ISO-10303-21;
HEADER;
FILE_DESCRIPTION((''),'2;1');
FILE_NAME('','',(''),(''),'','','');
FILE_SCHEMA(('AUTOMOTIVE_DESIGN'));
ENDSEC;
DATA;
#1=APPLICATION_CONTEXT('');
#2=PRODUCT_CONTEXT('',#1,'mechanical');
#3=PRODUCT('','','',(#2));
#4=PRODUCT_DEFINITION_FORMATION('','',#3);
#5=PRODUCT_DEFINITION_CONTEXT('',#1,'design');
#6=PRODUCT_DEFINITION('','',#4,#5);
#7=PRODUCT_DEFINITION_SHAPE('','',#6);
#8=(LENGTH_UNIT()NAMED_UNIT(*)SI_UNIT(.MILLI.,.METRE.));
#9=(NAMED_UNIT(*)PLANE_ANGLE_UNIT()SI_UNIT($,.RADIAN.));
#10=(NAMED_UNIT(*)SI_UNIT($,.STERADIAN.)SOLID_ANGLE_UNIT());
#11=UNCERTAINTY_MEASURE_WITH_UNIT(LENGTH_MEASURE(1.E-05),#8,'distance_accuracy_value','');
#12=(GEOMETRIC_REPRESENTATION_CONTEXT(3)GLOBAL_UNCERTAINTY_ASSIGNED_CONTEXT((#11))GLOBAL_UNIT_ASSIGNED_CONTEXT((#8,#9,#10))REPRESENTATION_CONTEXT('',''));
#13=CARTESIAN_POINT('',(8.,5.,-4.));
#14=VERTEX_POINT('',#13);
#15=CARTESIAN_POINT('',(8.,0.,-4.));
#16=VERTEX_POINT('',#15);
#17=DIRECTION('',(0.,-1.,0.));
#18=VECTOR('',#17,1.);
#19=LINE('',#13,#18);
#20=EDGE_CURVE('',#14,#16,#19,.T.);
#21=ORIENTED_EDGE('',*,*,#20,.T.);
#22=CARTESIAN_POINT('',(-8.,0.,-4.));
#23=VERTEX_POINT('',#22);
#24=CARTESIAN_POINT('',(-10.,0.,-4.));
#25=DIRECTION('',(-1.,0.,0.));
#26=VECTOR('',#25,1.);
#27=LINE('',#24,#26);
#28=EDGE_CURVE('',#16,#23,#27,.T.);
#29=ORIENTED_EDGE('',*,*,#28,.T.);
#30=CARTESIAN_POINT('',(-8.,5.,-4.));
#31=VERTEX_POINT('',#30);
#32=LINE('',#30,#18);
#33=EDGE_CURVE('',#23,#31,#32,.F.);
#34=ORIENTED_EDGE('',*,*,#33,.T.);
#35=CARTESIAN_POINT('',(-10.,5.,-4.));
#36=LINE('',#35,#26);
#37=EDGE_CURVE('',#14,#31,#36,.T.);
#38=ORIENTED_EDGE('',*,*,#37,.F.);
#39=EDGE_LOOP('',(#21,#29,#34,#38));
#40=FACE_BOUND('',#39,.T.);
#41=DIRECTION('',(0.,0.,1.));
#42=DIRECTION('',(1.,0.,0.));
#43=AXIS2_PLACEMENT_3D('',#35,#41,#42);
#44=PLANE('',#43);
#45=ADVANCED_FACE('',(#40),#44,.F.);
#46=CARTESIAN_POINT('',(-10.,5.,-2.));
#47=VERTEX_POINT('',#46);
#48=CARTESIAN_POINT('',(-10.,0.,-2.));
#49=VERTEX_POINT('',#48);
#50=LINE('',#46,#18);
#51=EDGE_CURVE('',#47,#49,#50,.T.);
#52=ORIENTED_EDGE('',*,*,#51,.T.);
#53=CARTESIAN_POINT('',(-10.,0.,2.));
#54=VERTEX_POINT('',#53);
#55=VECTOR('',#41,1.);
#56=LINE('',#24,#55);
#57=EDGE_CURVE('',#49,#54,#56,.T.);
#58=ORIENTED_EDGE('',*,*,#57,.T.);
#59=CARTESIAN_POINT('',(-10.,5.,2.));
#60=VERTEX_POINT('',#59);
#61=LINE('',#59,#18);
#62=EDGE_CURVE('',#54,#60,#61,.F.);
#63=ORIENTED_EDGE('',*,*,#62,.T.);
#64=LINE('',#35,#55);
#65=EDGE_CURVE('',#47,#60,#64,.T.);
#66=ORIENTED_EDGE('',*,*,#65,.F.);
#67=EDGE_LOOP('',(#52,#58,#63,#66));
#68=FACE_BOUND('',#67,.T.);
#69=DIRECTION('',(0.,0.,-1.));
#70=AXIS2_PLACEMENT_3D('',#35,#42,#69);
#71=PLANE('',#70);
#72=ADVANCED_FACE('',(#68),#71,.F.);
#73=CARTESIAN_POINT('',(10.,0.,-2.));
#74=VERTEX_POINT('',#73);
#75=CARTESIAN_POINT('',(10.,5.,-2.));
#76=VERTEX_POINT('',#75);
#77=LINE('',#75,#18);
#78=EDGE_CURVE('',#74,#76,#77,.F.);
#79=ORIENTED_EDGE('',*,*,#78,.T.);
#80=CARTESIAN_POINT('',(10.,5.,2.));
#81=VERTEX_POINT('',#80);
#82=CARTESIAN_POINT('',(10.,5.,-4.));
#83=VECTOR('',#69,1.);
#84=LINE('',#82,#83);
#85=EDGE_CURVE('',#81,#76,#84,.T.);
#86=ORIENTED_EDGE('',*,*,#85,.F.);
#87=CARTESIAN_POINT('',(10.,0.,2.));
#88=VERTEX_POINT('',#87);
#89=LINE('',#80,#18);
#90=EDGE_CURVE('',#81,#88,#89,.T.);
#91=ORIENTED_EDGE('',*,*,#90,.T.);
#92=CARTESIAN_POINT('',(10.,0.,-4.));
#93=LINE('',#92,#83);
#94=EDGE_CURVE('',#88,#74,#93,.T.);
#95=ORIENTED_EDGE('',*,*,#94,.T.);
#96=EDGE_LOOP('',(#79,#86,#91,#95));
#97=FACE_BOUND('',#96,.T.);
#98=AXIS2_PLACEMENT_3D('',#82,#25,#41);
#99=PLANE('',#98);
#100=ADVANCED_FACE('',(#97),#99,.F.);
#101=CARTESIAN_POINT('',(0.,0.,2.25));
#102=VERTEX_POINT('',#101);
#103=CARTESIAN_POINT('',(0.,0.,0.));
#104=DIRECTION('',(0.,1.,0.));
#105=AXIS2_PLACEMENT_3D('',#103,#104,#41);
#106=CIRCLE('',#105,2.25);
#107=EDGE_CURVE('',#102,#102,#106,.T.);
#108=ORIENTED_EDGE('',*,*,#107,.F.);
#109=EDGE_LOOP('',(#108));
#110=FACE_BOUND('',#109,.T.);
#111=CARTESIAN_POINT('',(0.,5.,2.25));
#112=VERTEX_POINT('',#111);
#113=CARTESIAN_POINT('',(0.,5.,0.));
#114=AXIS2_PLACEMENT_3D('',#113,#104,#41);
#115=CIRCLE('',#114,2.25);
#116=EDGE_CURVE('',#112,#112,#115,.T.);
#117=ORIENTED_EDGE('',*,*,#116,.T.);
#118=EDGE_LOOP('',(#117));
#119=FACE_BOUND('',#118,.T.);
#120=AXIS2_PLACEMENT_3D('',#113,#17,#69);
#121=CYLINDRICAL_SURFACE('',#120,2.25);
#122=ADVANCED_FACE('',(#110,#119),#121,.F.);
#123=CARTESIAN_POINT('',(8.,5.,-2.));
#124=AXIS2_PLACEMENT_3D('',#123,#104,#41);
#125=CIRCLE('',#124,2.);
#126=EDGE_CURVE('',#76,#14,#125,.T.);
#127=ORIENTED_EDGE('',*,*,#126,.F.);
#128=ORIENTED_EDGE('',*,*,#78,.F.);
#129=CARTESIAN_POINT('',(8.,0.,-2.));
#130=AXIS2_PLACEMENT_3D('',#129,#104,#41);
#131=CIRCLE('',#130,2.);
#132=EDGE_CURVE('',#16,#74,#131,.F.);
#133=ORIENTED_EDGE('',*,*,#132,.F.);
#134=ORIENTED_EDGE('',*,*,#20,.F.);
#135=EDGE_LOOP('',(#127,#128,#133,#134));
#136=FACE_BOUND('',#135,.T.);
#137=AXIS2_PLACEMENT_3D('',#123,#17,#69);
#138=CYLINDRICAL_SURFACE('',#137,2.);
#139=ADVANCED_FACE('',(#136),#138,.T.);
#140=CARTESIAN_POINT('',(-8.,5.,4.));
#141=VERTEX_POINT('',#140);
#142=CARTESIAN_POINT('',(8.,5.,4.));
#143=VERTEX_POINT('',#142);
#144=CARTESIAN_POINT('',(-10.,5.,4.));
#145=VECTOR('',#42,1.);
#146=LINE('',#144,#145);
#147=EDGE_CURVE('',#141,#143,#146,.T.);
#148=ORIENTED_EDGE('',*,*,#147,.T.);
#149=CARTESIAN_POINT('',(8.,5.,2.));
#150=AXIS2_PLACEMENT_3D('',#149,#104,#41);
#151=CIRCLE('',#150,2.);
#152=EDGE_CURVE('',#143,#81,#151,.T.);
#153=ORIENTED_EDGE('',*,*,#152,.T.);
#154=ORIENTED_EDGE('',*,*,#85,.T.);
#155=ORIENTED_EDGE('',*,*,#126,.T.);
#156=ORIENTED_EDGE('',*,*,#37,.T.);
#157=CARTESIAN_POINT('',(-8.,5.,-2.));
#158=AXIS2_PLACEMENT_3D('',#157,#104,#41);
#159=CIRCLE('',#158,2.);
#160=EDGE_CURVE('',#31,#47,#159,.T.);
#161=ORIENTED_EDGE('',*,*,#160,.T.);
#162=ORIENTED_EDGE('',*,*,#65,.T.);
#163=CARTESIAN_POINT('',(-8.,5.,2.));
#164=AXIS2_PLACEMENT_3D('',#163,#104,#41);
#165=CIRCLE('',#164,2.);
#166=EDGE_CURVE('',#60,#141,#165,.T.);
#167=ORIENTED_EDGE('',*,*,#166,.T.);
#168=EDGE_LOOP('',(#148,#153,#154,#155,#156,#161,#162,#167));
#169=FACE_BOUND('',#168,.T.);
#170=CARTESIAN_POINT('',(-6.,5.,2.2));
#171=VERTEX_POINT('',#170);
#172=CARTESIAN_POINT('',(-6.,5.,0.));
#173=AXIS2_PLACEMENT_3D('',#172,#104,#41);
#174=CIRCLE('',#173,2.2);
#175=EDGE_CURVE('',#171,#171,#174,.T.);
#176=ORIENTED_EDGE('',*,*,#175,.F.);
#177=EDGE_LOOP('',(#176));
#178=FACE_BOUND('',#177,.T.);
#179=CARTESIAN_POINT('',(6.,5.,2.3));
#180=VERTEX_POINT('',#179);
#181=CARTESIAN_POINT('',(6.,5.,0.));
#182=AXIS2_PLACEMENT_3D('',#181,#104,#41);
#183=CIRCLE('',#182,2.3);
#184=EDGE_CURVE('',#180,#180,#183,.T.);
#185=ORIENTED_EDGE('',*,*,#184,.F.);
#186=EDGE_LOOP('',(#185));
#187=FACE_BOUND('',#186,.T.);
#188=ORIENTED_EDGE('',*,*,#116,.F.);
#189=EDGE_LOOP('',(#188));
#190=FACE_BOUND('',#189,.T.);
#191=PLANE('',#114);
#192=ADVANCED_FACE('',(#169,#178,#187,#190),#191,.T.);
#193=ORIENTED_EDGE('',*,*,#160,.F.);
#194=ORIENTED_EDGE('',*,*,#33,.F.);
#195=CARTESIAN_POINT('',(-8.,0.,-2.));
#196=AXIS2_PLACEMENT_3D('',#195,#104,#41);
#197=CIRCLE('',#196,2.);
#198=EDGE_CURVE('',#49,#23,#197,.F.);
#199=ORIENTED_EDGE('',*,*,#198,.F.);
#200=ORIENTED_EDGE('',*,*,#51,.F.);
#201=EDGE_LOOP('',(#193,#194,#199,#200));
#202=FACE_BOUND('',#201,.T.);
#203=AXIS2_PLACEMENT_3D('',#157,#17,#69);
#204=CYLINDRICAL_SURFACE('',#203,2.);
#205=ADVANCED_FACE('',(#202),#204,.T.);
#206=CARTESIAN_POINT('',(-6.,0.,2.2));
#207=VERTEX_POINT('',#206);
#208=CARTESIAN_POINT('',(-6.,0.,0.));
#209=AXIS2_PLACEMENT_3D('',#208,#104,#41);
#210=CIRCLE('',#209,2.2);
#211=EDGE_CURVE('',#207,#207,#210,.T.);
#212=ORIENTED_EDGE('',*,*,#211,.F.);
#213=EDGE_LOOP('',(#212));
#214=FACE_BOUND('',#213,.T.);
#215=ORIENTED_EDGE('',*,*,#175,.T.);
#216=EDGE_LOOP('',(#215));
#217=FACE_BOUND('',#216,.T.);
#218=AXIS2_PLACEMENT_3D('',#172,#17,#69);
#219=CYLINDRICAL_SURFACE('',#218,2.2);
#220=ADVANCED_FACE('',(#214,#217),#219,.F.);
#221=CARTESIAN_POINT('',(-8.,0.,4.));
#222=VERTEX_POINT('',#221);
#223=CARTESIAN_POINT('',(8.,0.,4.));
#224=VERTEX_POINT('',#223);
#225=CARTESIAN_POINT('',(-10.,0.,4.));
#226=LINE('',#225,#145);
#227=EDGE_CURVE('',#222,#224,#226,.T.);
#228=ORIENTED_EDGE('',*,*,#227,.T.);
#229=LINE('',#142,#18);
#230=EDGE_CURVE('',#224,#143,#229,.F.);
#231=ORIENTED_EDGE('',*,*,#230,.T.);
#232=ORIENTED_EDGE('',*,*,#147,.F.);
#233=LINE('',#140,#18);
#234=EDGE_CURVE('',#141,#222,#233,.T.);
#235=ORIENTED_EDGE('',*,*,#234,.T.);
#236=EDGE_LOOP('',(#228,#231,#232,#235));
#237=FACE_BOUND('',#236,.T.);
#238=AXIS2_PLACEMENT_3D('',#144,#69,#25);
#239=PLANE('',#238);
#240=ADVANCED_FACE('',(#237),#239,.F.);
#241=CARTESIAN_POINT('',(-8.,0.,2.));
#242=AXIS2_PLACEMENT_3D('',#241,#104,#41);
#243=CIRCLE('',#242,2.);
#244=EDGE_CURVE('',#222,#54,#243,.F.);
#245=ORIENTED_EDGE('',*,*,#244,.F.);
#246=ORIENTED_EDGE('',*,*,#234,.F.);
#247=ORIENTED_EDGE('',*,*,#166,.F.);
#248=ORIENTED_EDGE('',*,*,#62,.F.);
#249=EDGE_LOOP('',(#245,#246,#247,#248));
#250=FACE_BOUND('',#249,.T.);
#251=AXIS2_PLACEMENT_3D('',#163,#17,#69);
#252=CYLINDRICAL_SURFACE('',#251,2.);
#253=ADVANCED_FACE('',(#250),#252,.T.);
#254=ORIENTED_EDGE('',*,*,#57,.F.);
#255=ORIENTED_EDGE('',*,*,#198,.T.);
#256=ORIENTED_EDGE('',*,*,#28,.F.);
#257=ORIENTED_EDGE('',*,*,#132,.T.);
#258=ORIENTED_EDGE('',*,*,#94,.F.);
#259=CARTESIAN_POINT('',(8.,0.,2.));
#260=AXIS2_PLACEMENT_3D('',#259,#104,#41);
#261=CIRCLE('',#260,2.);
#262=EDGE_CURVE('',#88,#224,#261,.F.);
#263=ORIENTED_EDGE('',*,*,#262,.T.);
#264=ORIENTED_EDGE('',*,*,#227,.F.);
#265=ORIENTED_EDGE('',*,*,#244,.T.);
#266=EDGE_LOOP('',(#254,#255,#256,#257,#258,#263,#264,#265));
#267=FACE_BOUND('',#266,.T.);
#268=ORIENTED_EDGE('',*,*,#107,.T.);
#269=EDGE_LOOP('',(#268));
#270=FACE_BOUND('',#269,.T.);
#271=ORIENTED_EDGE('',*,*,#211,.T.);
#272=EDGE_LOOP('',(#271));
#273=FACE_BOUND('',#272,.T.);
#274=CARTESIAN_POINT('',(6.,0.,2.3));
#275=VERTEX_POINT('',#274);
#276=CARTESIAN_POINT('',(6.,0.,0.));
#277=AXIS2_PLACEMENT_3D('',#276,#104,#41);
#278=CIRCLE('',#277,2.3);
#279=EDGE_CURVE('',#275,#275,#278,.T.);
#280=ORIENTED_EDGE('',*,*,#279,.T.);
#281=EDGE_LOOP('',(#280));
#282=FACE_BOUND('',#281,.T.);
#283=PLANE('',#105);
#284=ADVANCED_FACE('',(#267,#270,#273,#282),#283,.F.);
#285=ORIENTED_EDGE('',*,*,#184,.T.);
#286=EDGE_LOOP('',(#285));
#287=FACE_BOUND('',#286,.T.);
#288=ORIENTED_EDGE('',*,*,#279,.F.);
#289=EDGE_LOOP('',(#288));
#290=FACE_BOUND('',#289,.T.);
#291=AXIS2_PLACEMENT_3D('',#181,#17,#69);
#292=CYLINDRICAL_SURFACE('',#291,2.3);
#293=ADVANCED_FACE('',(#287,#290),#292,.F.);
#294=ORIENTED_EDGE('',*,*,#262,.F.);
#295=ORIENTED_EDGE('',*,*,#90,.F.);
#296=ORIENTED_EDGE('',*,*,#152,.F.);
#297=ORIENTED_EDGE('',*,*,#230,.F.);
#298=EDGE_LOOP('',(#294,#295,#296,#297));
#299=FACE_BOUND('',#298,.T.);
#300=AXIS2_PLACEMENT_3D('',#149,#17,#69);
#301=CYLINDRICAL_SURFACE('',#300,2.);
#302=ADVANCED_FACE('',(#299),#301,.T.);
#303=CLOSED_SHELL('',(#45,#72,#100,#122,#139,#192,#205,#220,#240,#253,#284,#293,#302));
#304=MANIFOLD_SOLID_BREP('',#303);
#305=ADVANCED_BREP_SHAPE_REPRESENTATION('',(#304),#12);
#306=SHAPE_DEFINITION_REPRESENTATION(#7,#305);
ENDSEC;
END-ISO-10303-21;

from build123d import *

# Parameters (mm, degrees)
SKETCH1_W           = 20
SKETCH1_H           = 8
SKETCH1_R           = 2.2
SKETCH1_R_2         = 2.25
SKETCH1_R_3         = 2.3
BOSS_EXTRUDE1_DEPTH = 5
FILLET1_R           = 2


with BuildPart() as part:
    # Sketch1 → Boss-Extrude1 (new body)
    with BuildSketch(Plane(origin=(0, 0, 0), x_dir=(1, 0, 0), z_dir=(0, 1, 0))):
        Rectangle(SKETCH1_W, SKETCH1_H)
        with Locations((-6, 0)):
            Circle(SKETCH1_R, mode=Mode.SUBTRACT)
        Circle(SKETCH1_R_2, mode=Mode.SUBTRACT)
        with Locations((6, 0)):
            Circle(SKETCH1_R_3, mode=Mode.SUBTRACT)
    extrude(amount=BOSS_EXTRUDE1_DEPTH)

    # Fillet1
    fillet1_edges = [part.edges().sort_by_distance(p)[0] for p in [
        (10, 2.5, 4),
        (-10, 2.5, 4),
        (-10, 2.5, -4),
        (10, 2.5, -4),
    ]]
    fillet(fillet1_edges, radius=FILLET1_R)


solid = part.part
